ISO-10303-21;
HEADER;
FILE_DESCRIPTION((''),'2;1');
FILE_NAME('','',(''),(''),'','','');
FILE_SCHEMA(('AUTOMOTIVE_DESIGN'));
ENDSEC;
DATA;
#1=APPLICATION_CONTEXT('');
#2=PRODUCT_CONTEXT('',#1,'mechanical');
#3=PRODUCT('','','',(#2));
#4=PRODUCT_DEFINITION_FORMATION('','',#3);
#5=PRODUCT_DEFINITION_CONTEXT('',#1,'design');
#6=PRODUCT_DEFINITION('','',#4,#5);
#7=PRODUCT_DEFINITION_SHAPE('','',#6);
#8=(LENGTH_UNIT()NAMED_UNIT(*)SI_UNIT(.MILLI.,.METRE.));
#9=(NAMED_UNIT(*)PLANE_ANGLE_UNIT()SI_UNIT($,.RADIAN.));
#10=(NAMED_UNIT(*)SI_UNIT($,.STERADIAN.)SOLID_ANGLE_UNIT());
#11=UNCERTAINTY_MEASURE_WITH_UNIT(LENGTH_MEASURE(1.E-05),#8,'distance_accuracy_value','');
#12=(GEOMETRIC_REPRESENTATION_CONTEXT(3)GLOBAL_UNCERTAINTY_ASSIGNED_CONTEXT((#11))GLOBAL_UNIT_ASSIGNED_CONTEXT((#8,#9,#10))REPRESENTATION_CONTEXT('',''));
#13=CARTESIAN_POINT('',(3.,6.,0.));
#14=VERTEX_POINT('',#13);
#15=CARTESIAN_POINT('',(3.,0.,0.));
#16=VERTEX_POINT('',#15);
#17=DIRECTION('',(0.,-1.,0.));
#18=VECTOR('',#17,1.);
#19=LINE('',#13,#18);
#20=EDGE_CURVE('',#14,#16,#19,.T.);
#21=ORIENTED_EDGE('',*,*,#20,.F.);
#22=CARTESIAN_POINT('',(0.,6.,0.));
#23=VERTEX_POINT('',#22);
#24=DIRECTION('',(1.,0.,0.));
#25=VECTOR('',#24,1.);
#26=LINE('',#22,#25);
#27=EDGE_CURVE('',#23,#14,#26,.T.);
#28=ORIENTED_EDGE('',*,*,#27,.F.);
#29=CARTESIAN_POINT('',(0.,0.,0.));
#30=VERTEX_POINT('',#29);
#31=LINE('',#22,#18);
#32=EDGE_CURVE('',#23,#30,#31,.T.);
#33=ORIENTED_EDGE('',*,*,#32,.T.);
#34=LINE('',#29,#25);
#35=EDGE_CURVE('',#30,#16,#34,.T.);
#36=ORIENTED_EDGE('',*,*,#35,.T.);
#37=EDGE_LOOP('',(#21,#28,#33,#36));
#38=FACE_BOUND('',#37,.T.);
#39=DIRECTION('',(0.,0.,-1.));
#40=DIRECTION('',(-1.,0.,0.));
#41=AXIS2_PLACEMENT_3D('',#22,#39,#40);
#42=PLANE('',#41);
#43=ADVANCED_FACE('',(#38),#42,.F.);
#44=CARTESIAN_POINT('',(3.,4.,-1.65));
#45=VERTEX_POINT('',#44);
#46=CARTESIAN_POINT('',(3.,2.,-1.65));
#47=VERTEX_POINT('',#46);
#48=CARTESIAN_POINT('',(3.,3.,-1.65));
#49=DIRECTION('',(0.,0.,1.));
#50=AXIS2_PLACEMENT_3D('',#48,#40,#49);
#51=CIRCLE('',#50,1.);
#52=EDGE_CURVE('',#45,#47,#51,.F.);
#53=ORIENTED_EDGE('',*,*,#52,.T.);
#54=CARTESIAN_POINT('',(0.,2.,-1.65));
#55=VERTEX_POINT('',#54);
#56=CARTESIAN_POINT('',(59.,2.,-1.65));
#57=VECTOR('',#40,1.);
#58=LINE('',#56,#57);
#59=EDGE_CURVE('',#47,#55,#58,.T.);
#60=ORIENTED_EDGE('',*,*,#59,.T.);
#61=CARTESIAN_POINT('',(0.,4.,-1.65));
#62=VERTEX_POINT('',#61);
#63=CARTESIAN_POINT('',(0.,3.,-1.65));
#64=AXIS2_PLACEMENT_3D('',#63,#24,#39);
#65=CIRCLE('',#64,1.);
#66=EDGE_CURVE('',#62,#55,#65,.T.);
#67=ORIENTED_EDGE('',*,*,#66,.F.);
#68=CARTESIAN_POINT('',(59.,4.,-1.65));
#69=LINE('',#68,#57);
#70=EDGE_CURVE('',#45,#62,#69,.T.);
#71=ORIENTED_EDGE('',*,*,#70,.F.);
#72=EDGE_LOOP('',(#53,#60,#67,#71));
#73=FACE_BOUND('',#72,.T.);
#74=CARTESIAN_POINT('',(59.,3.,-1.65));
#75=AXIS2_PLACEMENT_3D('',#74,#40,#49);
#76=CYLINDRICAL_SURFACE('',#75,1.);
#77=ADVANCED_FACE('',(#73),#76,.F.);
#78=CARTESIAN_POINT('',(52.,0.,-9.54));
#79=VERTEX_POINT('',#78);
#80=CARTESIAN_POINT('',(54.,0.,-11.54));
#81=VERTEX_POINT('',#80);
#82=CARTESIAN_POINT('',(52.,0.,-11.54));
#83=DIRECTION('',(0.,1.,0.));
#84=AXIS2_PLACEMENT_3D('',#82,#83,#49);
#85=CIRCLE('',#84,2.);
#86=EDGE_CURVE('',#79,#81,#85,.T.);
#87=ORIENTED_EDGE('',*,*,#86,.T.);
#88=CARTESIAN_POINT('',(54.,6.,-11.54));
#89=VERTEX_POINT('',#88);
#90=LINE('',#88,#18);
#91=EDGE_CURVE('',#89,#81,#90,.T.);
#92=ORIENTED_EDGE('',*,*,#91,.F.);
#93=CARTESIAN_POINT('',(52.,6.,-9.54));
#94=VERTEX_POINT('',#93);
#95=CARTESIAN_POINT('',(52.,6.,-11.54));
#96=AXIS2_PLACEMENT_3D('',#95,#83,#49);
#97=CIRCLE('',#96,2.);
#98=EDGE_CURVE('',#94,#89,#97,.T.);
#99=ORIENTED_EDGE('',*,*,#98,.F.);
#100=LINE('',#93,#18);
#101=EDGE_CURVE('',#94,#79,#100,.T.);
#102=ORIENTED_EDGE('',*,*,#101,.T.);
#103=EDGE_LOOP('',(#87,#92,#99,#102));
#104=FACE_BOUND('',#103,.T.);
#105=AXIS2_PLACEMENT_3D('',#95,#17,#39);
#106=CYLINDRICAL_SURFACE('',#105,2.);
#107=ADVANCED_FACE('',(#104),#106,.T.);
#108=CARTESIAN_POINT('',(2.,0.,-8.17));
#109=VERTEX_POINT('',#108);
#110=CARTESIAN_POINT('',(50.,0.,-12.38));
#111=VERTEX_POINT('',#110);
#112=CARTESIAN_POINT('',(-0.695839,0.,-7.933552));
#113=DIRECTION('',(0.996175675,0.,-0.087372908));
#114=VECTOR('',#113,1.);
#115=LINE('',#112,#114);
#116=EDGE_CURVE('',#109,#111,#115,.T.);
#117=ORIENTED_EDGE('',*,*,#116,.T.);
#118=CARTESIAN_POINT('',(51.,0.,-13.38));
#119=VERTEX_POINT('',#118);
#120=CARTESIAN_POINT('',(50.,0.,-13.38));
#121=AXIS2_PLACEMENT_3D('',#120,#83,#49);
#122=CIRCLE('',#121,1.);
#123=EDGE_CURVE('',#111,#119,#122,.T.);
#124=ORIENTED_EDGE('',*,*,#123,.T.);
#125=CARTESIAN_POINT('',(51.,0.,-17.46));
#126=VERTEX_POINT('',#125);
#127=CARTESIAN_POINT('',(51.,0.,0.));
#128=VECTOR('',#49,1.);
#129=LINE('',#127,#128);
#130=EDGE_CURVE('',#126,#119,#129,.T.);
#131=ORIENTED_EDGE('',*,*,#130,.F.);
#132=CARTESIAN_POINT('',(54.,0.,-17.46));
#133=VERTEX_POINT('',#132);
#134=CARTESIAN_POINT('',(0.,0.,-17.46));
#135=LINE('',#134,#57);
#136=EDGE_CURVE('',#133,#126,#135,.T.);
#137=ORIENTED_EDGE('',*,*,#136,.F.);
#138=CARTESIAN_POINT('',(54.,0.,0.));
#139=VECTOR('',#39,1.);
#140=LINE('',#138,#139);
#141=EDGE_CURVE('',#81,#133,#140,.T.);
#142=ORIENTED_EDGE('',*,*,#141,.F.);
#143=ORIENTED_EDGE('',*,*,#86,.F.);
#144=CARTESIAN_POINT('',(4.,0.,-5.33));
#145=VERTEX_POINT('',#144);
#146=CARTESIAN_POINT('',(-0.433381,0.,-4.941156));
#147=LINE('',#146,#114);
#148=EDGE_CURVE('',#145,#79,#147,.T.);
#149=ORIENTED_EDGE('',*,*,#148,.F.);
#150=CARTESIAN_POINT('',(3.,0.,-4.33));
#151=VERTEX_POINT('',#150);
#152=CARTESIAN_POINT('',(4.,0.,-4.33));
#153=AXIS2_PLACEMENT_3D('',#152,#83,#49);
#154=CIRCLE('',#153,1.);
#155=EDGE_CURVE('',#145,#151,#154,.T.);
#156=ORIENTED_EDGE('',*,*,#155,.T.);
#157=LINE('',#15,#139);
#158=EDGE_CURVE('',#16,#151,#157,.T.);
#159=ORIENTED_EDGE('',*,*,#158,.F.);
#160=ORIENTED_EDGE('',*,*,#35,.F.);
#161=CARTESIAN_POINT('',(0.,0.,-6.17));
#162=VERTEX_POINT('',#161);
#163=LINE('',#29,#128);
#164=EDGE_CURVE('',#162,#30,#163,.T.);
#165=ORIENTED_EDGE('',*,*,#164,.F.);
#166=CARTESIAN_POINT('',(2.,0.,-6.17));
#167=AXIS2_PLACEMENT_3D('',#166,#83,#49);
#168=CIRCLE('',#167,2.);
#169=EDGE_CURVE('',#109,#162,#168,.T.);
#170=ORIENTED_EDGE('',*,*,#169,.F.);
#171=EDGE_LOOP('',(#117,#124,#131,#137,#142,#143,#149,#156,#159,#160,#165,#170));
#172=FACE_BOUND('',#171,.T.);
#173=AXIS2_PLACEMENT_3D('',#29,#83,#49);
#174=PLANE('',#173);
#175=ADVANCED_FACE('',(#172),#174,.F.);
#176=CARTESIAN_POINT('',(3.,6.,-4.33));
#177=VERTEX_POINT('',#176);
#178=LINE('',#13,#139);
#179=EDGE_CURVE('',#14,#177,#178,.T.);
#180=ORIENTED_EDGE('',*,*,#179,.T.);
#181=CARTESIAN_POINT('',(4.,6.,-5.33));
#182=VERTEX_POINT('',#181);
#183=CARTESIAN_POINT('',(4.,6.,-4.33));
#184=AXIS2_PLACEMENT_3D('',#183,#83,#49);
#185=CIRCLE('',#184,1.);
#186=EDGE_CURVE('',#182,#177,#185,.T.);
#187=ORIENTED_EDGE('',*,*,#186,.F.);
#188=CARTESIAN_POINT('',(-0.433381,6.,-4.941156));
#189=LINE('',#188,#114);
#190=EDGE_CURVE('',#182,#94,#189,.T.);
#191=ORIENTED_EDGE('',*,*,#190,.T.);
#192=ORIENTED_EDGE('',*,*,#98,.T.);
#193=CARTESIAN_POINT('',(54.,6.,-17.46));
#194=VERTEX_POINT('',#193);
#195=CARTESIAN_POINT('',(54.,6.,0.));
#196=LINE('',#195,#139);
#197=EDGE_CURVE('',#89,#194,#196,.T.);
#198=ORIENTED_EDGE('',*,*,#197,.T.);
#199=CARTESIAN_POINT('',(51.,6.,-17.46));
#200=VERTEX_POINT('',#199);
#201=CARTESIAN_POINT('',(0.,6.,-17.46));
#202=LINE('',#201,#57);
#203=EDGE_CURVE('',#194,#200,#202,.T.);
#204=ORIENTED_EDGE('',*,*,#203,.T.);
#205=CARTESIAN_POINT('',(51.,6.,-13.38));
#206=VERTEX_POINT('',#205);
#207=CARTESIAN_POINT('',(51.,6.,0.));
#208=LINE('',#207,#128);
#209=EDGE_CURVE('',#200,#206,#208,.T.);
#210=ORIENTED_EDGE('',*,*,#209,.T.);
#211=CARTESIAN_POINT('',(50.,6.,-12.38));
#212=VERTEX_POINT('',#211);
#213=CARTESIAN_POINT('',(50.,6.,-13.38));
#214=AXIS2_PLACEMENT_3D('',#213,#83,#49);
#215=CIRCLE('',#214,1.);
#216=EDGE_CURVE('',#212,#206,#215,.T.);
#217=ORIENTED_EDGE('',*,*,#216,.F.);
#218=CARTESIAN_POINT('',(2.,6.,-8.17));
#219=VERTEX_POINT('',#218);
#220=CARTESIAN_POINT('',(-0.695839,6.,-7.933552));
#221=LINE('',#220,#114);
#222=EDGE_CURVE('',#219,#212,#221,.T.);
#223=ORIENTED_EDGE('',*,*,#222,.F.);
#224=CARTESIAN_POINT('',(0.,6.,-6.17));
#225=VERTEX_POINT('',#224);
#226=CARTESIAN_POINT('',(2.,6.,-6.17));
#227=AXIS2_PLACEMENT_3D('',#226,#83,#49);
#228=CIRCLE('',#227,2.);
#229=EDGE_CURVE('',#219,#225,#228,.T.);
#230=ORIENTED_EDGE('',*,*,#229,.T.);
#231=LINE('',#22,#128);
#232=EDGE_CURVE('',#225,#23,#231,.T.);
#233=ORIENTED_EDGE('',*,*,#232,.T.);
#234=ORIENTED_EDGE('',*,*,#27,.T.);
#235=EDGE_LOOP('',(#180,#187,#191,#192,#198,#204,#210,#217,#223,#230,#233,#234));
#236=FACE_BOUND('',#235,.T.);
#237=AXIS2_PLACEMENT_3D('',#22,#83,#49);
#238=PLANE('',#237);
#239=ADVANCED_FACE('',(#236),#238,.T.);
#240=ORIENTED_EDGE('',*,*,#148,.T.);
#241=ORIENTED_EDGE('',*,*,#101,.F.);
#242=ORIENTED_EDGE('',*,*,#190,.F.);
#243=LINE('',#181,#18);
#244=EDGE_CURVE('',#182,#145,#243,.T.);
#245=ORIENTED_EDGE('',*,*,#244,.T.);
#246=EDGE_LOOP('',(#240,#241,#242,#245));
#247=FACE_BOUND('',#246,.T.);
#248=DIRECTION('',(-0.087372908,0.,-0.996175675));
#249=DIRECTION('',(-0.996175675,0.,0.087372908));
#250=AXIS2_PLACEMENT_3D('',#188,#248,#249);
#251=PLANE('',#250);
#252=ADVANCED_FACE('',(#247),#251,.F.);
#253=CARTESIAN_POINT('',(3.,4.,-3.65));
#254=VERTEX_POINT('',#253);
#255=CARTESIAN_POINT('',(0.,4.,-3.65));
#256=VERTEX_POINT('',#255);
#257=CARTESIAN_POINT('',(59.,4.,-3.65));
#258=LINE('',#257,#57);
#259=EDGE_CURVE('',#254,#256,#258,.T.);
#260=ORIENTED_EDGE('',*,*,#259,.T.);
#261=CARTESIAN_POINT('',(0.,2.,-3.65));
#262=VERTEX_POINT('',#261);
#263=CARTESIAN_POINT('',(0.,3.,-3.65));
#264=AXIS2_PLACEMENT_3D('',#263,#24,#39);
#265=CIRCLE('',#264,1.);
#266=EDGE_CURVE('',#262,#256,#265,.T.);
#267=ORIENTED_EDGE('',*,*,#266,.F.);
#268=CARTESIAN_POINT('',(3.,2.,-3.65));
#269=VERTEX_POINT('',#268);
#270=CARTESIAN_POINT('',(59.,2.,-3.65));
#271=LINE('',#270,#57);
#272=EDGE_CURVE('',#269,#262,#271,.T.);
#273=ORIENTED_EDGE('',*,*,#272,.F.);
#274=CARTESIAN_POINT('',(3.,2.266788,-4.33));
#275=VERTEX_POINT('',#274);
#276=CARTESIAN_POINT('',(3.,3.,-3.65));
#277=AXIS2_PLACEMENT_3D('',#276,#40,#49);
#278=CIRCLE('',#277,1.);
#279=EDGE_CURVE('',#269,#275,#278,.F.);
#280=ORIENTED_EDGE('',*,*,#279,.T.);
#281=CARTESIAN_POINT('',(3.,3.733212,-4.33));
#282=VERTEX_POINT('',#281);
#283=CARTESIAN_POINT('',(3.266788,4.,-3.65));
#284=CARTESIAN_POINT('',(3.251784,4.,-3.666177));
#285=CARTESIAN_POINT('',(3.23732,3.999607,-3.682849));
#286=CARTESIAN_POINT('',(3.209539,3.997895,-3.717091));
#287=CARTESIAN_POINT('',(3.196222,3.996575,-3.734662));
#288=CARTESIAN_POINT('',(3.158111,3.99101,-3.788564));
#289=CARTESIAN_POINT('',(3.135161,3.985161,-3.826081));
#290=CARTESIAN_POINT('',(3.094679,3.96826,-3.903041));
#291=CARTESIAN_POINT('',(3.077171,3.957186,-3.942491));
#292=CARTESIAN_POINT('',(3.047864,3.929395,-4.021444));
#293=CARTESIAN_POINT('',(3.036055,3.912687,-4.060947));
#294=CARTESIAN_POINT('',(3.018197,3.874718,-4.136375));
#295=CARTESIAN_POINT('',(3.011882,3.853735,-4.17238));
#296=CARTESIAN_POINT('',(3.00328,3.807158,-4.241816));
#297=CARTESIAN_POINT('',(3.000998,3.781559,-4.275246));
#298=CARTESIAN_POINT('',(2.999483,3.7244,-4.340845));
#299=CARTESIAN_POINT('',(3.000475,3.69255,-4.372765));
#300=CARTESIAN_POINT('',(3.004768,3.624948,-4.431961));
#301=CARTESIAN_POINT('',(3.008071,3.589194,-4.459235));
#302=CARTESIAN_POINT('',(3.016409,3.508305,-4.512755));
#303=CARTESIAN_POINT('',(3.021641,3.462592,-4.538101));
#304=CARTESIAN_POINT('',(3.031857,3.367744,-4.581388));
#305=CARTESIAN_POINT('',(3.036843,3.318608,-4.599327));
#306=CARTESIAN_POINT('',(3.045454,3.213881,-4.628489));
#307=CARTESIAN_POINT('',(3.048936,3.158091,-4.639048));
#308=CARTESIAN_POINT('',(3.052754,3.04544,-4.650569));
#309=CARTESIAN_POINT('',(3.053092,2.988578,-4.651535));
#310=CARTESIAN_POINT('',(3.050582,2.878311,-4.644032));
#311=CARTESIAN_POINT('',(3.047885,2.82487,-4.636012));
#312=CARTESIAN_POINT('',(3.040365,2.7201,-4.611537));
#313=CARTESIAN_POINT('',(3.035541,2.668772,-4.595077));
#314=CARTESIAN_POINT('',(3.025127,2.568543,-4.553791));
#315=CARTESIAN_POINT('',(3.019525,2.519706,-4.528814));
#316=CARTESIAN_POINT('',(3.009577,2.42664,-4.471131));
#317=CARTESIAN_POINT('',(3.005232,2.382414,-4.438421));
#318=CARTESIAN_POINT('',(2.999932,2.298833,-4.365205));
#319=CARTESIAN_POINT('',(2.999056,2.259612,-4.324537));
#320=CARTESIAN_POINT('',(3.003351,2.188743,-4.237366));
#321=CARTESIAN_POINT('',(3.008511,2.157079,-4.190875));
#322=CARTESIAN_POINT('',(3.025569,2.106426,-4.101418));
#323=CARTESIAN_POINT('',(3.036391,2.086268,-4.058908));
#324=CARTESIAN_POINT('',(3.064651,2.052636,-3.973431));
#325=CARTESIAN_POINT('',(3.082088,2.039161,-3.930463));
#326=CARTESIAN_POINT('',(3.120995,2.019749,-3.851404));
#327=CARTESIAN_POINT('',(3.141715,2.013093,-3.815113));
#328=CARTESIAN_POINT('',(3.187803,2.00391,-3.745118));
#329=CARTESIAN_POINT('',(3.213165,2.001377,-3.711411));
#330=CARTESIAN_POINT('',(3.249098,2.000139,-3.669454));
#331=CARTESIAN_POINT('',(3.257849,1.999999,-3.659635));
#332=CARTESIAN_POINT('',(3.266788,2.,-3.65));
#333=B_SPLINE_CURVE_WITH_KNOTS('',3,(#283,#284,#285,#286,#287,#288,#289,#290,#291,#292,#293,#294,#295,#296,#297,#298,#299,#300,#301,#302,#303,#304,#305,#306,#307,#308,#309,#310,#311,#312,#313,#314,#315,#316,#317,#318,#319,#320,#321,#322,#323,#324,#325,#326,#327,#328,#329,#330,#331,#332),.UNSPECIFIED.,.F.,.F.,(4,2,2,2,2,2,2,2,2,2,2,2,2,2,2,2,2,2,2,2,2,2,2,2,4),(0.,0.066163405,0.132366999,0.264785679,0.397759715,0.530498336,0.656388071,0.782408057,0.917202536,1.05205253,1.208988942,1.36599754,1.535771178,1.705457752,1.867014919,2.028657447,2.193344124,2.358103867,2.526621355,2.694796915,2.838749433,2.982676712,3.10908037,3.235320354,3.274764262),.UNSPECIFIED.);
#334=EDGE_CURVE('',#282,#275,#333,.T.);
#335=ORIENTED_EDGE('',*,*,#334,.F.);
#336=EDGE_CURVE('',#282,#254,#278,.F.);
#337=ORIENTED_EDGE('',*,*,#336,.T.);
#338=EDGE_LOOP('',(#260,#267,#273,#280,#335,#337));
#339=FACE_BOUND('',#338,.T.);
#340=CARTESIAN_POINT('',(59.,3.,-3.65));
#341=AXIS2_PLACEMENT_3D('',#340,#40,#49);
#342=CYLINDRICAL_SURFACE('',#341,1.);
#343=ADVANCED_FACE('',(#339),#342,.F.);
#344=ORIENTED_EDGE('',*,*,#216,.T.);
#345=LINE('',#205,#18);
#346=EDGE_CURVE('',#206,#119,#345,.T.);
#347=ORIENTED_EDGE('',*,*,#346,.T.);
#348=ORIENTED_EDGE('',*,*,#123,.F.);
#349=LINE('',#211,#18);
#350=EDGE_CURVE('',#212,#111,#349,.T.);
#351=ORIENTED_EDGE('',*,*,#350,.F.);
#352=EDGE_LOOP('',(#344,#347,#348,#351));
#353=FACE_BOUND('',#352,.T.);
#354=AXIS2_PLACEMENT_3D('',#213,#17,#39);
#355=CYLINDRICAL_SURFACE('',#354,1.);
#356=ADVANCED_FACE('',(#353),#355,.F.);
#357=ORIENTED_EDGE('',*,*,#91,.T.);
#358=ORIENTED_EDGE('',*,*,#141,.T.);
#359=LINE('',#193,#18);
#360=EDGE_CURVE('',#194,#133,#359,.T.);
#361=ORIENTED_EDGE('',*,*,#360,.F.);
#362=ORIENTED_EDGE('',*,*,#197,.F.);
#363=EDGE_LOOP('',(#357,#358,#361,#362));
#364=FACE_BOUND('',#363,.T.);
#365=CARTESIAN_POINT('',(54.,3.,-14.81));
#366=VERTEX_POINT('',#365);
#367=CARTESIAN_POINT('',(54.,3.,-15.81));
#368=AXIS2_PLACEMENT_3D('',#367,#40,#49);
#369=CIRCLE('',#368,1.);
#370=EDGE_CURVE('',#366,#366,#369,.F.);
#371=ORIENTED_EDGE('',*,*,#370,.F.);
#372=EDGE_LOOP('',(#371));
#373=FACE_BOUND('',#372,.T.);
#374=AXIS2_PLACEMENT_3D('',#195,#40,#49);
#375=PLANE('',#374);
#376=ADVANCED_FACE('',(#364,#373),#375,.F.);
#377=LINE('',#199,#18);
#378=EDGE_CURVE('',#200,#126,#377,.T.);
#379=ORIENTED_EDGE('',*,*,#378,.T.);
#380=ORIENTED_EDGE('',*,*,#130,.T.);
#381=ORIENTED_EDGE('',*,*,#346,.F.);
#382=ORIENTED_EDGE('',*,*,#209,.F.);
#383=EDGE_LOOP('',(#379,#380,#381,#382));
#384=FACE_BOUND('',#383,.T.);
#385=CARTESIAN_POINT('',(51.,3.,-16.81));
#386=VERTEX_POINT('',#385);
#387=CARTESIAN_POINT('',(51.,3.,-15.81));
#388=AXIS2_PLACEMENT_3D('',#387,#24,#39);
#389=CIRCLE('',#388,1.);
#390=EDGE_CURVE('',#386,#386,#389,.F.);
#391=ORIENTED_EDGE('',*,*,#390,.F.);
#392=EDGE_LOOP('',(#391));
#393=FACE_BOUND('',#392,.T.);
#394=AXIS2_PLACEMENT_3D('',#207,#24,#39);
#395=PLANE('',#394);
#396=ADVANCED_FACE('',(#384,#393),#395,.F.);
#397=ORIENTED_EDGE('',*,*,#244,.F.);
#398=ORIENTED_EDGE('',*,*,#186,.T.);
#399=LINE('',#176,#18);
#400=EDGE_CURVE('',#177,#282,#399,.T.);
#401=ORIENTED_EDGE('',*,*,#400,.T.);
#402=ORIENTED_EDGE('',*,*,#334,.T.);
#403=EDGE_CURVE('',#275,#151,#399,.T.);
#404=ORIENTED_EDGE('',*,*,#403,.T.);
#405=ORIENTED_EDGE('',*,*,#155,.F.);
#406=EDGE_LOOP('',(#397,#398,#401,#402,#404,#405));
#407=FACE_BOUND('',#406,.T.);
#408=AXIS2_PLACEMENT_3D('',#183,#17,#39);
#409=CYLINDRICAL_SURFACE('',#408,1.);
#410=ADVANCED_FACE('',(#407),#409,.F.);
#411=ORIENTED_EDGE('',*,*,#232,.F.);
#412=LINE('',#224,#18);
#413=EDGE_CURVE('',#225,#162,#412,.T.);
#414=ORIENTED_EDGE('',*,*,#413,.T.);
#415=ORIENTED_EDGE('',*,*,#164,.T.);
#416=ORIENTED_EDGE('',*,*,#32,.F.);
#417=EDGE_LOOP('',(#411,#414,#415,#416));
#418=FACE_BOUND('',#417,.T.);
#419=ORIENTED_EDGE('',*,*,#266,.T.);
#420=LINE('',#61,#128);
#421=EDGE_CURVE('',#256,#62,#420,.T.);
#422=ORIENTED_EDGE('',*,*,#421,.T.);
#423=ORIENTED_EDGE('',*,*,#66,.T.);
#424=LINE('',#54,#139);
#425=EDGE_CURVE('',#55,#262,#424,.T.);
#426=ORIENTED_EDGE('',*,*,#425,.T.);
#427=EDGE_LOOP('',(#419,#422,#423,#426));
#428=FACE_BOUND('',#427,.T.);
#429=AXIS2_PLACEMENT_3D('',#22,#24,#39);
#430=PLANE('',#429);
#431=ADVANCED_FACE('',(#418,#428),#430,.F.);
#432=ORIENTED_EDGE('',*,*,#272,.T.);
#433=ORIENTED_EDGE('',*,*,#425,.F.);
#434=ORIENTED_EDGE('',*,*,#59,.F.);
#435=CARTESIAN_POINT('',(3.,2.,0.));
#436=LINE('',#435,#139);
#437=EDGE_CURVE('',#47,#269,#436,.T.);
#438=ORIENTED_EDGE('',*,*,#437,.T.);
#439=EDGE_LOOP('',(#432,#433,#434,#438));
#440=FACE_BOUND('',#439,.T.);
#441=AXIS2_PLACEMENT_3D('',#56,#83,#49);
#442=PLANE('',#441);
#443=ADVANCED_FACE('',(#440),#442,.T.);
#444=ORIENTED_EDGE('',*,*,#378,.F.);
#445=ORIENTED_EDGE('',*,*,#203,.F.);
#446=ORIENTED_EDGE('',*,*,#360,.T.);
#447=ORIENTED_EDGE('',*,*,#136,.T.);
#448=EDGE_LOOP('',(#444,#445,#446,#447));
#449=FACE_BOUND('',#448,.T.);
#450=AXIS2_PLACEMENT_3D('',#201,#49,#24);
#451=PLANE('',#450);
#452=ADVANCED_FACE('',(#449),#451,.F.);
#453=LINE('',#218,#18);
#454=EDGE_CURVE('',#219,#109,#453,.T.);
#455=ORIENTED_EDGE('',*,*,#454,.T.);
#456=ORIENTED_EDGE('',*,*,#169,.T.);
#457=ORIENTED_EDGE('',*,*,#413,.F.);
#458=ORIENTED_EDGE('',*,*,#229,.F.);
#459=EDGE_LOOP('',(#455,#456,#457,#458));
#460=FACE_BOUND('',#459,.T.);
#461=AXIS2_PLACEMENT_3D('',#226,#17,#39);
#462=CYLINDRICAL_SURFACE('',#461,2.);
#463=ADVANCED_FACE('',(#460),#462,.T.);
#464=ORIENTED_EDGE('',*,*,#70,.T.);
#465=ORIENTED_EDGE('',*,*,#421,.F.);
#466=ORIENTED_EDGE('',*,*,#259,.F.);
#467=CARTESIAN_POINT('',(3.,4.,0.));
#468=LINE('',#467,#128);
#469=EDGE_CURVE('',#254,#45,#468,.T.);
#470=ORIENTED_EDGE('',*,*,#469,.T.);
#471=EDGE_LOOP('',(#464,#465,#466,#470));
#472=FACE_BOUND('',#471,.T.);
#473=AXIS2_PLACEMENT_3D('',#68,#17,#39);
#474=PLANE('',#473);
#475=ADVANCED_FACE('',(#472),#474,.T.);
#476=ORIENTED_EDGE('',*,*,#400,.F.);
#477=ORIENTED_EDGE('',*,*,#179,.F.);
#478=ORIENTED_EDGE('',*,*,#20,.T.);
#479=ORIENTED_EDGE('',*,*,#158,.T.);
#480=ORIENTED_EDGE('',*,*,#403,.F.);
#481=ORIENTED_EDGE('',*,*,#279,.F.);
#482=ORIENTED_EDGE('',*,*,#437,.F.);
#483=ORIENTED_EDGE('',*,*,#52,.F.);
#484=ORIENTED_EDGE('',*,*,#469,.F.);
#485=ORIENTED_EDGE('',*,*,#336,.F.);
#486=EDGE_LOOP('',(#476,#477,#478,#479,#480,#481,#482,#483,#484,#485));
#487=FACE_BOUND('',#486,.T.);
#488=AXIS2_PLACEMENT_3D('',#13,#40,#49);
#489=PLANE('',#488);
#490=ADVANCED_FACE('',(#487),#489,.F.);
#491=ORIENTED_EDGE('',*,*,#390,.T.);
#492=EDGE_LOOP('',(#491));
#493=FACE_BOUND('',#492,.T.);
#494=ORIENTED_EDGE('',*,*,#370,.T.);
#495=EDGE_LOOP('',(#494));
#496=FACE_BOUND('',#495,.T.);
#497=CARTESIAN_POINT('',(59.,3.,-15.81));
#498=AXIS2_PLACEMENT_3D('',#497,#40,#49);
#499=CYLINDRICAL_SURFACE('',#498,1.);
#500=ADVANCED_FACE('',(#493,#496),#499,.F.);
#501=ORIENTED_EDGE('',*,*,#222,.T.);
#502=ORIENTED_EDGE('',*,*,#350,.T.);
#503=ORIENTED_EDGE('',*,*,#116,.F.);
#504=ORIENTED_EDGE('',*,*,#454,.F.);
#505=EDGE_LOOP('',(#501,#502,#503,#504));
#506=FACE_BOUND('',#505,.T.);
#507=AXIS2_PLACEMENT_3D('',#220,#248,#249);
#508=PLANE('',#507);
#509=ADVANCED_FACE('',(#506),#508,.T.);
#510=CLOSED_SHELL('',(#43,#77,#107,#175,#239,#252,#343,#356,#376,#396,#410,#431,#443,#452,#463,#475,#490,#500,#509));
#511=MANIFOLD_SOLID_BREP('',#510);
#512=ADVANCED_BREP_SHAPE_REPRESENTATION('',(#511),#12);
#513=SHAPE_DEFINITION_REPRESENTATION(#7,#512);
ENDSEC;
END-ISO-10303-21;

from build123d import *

# Parameters (mm, degrees)
BOSS_EXTRUDE1_DEPTH = 6
SKETCH3_R           = 1
CUT_EXTRUDE1_DEPTH  = 59


with BuildPart() as part:
    # Sketch1 → Boss-Extrude1 (new body)
    with BuildSketch(Plane(origin=(0, 0, 0), x_dir=(1, 0, 0), z_dir=(0, 1, 0))):
        with BuildLine():
            Line((0, 6.17), (0, 0))
            Line((0, 0), (3, 0))
            Line((3, 0), (3, 4.33))
            ThreePointArc((3, 4.33), (3.292893219, 5.037106781), (4, 5.33))
            Line((4, 5.33), (52, 9.54))
            ThreePointArc((52, 9.54), (53.414213562, 10.125786438), (54, 11.54))
            Line((54, 11.54), (54, 17.46))
            Line((54, 17.46), (51, 17.46))
            Line((51, 17.46), (51, 13.38))
            ThreePointArc((51, 13.38), (50.707106781, 12.672893219), (50, 12.38))
            Line((50, 12.38), (2, 8.17))
            ThreePointArc((2, 8.17), (0.585786438, 7.584213562), (0, 6.17))
        make_face()
    extrude(amount=BOSS_EXTRUDE1_DEPTH)

    # Sketch3 → Cut-Extrude1 (cut)
    with BuildSketch(Plane(origin=(0, 0, 0), x_dir=(0, 0, -1), z_dir=(1, 0, 0))):
        with Locations(Location((15.81, 3, 0), (0, 0, 180))):
            Circle(SKETCH3_R)
        with BuildLine():
            Line((1.65, 4), (3.65, 4))
            ThreePointArc((3.65, 4), (4.65, 3), (3.65, 2))
            Line((3.65, 2), (1.65, 2))
            ThreePointArc((1.65, 2), (0.65, 3), (1.65, 4))
        make_face()
    extrude(amount=CUT_EXTRUDE1_DEPTH, mode=Mode.SUBTRACT)


solid = part.part
